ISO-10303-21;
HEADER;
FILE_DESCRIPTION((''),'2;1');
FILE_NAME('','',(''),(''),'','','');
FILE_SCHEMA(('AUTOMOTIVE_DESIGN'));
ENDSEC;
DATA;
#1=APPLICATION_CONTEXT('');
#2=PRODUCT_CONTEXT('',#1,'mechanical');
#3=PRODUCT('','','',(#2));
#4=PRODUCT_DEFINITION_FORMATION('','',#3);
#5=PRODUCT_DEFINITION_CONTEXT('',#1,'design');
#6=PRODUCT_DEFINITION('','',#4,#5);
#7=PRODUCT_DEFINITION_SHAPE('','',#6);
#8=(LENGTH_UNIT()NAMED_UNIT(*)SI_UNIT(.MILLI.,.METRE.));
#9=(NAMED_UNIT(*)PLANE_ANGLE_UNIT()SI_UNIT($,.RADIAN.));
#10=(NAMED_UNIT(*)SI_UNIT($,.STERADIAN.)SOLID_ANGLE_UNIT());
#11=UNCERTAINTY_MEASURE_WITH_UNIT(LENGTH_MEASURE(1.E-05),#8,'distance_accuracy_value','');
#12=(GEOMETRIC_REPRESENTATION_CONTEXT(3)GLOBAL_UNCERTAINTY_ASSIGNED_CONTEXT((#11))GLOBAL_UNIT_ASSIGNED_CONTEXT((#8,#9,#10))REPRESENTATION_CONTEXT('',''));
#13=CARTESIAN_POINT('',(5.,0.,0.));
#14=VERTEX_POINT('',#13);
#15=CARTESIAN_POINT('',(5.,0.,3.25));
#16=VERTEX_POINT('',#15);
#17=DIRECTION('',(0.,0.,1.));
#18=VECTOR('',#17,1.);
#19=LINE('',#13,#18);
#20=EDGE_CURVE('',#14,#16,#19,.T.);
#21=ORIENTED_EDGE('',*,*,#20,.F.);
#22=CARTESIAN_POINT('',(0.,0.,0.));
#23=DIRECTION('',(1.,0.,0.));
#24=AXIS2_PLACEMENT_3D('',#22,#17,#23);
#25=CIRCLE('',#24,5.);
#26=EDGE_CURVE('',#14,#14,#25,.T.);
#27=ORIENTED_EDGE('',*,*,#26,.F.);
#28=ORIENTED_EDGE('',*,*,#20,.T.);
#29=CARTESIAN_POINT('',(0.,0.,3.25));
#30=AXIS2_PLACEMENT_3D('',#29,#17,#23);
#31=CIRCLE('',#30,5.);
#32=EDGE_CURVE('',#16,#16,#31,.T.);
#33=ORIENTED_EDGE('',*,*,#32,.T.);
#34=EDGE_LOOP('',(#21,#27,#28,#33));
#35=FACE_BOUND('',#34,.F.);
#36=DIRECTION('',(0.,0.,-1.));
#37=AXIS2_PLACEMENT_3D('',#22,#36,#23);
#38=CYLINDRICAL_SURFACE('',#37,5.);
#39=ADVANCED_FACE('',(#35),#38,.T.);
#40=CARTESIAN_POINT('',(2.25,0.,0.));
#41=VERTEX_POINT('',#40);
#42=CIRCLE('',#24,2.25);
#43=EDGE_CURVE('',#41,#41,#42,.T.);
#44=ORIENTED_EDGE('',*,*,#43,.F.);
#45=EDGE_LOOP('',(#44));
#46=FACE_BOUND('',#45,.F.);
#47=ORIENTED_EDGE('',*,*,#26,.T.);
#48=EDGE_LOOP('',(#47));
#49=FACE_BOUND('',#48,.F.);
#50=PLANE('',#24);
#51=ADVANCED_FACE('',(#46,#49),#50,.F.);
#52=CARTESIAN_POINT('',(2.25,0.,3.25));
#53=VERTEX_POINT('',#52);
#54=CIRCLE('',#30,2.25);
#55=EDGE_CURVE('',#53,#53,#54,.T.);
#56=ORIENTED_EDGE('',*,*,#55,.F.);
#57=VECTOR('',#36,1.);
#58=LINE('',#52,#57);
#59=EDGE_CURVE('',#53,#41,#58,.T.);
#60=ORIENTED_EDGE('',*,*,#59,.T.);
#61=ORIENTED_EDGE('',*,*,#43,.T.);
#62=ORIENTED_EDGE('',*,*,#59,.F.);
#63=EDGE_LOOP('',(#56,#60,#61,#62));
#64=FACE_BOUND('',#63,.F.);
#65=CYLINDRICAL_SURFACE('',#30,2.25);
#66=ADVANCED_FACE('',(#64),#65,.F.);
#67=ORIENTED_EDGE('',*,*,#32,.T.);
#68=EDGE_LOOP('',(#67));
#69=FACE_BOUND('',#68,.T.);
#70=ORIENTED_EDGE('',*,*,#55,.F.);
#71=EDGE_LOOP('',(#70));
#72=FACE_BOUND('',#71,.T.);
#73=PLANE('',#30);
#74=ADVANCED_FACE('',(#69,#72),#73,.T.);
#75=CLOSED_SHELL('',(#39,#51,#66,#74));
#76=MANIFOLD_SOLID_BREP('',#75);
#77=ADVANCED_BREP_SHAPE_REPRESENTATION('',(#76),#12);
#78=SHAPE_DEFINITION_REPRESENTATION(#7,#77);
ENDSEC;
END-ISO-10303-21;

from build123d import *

# Parameters (mm, degrees)
SKETCH_R     = 5
PAD_DEPTH    = 3.25
SKETCH001_R  = 2.25
POCKET_DEPTH = 3.251


with BuildPart() as part:
    # Sketch → Pad (new body)
    with BuildSketch(Plane.XY):
        Circle(SKETCH_R)
    extrude(amount=PAD_DEPTH)

    # Sketch001 → Pocket (cut, through all)
    with BuildSketch(Plane.XY.offset(3.25)):
        Circle(SKETCH001_R)
    extrude(amount=-POCKET_DEPTH, mode=Mode.SUBTRACT)


solid = part.part
